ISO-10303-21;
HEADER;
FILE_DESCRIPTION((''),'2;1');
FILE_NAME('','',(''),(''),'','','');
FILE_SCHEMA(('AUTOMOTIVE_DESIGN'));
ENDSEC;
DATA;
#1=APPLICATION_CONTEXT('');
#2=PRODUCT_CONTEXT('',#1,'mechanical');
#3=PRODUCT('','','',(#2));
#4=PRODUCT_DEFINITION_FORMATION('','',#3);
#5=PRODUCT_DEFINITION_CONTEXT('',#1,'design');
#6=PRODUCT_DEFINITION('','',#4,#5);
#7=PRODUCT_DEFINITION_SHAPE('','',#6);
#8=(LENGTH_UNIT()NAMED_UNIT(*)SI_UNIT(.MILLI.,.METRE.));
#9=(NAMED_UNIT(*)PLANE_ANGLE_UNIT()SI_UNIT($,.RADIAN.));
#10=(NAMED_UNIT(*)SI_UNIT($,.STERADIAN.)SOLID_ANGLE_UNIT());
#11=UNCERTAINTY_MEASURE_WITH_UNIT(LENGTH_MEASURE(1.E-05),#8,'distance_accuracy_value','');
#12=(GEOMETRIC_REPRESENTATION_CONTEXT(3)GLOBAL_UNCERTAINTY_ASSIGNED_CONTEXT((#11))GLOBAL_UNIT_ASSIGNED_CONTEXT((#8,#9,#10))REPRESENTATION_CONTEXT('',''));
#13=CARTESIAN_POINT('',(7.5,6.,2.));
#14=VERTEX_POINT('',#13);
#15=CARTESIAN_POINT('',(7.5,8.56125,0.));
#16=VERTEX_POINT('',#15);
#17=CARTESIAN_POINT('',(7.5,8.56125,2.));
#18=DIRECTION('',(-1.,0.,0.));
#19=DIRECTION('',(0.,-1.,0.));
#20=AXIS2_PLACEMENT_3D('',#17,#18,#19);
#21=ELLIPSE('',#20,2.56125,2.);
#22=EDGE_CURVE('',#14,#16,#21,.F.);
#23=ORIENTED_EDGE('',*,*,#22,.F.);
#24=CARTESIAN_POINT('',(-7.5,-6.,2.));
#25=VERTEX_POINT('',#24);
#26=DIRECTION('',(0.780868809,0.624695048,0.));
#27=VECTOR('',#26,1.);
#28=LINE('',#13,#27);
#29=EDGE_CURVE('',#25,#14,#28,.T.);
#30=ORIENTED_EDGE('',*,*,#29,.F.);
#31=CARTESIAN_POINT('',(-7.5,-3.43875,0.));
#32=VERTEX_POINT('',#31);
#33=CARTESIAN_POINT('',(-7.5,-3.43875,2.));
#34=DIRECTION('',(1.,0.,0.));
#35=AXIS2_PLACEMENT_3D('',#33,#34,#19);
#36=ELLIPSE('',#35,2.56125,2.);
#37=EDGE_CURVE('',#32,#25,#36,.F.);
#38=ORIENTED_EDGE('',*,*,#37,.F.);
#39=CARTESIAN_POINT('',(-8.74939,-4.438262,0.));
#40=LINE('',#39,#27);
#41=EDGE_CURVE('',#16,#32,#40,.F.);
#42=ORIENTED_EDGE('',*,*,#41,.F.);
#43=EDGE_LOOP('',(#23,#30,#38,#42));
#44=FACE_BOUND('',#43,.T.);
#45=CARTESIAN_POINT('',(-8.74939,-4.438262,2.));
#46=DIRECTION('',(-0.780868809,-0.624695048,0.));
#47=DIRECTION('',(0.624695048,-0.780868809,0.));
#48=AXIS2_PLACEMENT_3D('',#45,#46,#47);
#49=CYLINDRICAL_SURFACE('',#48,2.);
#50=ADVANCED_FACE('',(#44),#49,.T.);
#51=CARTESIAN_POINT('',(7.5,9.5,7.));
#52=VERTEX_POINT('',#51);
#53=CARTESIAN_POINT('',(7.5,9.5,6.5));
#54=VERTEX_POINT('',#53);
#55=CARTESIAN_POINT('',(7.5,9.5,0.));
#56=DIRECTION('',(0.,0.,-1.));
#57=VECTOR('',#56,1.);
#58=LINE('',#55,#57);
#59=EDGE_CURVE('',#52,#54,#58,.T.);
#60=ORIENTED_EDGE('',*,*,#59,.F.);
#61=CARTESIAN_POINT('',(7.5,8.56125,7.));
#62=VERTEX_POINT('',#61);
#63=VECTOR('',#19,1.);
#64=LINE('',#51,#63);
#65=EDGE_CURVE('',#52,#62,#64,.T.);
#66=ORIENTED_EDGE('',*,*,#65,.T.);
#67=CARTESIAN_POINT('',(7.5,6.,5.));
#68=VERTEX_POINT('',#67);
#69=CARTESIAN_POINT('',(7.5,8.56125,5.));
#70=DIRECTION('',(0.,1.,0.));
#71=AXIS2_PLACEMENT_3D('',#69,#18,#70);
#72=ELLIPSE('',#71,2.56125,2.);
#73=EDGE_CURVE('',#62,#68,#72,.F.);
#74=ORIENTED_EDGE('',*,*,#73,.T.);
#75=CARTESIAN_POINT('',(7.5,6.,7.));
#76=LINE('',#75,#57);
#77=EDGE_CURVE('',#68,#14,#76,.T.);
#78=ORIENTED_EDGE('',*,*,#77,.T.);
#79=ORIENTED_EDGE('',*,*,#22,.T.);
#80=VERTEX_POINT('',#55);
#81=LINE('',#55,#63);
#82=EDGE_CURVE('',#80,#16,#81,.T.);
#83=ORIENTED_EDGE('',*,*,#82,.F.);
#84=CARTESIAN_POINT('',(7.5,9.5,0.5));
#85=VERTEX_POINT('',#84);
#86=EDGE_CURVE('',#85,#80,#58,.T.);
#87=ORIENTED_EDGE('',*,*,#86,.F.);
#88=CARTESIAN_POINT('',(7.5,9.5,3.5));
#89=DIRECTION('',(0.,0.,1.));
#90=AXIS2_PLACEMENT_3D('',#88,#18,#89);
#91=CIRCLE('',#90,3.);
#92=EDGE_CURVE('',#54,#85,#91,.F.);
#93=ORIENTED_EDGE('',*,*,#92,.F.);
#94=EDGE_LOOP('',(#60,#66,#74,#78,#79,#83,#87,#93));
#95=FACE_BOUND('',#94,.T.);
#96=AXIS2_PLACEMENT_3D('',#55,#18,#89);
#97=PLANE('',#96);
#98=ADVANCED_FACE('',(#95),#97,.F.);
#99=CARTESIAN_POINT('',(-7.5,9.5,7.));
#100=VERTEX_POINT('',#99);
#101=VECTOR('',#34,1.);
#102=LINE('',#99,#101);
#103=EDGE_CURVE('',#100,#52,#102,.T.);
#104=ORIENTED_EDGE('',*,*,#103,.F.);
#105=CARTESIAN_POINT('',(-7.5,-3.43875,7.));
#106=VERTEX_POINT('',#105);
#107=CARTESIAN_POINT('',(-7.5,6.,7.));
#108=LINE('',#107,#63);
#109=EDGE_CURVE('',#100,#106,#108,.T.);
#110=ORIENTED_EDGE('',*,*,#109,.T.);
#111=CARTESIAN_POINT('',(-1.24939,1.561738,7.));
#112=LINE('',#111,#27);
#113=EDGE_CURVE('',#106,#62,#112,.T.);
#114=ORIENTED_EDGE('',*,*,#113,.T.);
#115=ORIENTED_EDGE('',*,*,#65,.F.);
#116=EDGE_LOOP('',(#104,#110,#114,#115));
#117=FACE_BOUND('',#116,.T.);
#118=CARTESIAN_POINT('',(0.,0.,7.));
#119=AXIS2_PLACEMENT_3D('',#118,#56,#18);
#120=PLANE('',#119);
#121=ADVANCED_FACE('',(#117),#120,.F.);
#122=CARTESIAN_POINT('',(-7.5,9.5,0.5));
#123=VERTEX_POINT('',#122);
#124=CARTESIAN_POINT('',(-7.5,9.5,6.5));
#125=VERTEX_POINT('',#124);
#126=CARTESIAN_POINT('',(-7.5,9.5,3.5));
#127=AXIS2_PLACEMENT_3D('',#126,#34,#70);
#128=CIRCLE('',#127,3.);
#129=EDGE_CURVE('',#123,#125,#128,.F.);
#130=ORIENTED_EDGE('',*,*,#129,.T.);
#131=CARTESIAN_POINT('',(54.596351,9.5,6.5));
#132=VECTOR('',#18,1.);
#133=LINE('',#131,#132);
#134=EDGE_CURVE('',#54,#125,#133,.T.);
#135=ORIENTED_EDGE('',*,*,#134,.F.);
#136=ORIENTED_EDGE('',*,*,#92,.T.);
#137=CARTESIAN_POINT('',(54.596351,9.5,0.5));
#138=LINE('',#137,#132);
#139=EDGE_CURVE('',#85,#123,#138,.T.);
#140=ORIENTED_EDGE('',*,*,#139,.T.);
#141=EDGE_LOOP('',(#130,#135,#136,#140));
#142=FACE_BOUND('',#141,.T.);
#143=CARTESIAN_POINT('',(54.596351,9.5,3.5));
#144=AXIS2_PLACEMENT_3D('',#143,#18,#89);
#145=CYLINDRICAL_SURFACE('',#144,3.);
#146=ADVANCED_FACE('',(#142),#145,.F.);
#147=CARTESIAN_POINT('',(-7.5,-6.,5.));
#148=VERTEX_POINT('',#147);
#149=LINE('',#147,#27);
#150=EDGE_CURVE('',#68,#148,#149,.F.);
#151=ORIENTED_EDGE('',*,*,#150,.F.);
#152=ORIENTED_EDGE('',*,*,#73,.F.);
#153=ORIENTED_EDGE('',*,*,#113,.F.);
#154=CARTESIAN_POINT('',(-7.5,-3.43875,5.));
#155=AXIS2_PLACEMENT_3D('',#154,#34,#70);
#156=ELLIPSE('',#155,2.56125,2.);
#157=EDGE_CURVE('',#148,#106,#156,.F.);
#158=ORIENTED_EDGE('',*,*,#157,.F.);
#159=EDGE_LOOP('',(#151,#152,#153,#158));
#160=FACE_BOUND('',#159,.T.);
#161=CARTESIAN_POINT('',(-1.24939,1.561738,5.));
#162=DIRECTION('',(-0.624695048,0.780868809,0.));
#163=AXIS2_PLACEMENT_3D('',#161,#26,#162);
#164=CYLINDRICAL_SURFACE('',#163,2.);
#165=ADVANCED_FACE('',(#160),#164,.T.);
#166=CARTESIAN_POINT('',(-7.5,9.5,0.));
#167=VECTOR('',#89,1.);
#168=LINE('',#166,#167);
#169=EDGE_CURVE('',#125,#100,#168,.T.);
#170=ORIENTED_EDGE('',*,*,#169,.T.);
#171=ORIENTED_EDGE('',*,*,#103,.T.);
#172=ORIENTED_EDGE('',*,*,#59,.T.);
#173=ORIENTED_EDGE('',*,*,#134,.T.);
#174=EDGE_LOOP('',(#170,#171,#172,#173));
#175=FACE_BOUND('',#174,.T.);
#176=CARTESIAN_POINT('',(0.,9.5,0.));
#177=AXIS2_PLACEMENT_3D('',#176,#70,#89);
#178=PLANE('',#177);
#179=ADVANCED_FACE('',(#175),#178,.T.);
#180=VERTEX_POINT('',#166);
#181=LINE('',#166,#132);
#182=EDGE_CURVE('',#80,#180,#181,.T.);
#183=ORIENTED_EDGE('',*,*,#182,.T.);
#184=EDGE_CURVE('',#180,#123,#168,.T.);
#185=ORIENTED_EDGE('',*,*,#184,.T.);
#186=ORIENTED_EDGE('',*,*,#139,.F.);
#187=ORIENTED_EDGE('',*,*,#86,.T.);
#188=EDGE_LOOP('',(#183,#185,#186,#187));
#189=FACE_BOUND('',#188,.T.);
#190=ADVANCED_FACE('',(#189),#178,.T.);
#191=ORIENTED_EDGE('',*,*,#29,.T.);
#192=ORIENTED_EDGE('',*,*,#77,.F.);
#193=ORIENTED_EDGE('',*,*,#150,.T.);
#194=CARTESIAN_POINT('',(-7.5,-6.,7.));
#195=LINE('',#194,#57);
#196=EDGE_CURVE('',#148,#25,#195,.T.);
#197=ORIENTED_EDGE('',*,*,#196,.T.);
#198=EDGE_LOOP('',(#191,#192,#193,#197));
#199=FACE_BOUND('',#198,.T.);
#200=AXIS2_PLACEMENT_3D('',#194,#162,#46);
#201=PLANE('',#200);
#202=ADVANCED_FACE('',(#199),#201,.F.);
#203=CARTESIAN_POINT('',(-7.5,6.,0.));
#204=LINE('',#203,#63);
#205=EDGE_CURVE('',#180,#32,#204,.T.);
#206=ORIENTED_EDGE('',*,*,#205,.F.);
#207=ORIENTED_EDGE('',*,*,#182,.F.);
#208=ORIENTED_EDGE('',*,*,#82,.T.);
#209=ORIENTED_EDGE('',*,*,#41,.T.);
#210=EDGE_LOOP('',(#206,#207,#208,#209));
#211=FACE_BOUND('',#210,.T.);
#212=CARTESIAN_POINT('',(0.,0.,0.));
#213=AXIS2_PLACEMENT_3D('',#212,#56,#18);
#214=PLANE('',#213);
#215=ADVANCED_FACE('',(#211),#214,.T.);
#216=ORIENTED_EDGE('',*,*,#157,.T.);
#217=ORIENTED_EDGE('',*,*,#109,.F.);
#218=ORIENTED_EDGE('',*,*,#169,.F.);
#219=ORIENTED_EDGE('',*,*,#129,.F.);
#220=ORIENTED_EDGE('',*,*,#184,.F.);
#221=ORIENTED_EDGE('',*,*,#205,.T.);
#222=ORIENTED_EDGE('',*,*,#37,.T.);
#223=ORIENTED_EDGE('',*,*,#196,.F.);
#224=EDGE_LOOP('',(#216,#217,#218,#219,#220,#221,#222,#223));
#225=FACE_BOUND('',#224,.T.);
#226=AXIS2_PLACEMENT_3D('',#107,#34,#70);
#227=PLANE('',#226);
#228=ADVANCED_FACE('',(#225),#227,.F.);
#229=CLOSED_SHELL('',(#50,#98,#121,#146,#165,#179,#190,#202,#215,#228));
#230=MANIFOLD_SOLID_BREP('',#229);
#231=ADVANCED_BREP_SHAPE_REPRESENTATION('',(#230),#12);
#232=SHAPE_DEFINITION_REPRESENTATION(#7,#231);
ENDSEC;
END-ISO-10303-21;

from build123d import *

# Parameters (mm, degrees)
BOSS_EXTRUDE1_DEPTH     = 7
SKETCH3_W               = 15
SKETCH3_H               = 7
BOSS_EXTRUDE2_DEPTH     = 3.5
CUT_EXTRUDE1_DEPTH      = 1
CUT_EXTRUDE1_DEPTH_BACK = 16
FILLET1_R               = 2


with BuildPart() as part:
    # Sketch1 → Boss-Extrude1 (new body)
    with BuildSketch(Plane.XY):
        Polygon((-7.5, -6), (7.5, 6), (-7.5, 6), align=None)
    extrude(amount=BOSS_EXTRUDE1_DEPTH)

    # Sketch3 → Boss-Extrude2 (add)
    with BuildSketch(Plane(origin=(0, 6, 0), x_dir=(1, 0, 0), z_dir=(0, 1, 0))):
        with Locations((0, -3.5)):
            Rectangle(SKETCH3_W, SKETCH3_H)
    extrude(amount=BOSS_EXTRUDE2_DEPTH)

    # Sketch4 → Cut-Extrude1 (cut, two sides)
    with BuildSketch(Plane(origin=(7.5, 0, 0), x_dir=(0, 0, -1), z_dir=(1, 0, 0))) as cut_extrude1_sk:
        with BuildLine():
            Line((-6.5, 53.115472628), (-6.5, 9.5))
            ThreePointArc((-6.5, 9.5), (-3.5, 6.5), (-0.5, 9.5))
            Line((-0.5, 9.5), (-0.5, 53.115472628))
            Line((-0.5, 53.115472628), (-0.5, 140.346417884))
            Line((-0.5, 140.346417884), (-6.5, 140.346417884))
            Line((-6.5, 140.346417884), (-6.5, 53.115472628))
        make_face()
    extrude(amount=CUT_EXTRUDE1_DEPTH, mode=Mode.SUBTRACT)
    extrude(cut_extrude1_sk.sketch, amount=-CUT_EXTRUDE1_DEPTH_BACK, mode=Mode.SUBTRACT)

    # Fillet1
    fillet1_edges = [part.edges().sort_by_distance(p)[0] for p in [
        (0, 0, 0),
        (0, 0, 7),
    ]]
    fillet(fillet1_edges, radius=FILLET1_R)


solid = part.part
